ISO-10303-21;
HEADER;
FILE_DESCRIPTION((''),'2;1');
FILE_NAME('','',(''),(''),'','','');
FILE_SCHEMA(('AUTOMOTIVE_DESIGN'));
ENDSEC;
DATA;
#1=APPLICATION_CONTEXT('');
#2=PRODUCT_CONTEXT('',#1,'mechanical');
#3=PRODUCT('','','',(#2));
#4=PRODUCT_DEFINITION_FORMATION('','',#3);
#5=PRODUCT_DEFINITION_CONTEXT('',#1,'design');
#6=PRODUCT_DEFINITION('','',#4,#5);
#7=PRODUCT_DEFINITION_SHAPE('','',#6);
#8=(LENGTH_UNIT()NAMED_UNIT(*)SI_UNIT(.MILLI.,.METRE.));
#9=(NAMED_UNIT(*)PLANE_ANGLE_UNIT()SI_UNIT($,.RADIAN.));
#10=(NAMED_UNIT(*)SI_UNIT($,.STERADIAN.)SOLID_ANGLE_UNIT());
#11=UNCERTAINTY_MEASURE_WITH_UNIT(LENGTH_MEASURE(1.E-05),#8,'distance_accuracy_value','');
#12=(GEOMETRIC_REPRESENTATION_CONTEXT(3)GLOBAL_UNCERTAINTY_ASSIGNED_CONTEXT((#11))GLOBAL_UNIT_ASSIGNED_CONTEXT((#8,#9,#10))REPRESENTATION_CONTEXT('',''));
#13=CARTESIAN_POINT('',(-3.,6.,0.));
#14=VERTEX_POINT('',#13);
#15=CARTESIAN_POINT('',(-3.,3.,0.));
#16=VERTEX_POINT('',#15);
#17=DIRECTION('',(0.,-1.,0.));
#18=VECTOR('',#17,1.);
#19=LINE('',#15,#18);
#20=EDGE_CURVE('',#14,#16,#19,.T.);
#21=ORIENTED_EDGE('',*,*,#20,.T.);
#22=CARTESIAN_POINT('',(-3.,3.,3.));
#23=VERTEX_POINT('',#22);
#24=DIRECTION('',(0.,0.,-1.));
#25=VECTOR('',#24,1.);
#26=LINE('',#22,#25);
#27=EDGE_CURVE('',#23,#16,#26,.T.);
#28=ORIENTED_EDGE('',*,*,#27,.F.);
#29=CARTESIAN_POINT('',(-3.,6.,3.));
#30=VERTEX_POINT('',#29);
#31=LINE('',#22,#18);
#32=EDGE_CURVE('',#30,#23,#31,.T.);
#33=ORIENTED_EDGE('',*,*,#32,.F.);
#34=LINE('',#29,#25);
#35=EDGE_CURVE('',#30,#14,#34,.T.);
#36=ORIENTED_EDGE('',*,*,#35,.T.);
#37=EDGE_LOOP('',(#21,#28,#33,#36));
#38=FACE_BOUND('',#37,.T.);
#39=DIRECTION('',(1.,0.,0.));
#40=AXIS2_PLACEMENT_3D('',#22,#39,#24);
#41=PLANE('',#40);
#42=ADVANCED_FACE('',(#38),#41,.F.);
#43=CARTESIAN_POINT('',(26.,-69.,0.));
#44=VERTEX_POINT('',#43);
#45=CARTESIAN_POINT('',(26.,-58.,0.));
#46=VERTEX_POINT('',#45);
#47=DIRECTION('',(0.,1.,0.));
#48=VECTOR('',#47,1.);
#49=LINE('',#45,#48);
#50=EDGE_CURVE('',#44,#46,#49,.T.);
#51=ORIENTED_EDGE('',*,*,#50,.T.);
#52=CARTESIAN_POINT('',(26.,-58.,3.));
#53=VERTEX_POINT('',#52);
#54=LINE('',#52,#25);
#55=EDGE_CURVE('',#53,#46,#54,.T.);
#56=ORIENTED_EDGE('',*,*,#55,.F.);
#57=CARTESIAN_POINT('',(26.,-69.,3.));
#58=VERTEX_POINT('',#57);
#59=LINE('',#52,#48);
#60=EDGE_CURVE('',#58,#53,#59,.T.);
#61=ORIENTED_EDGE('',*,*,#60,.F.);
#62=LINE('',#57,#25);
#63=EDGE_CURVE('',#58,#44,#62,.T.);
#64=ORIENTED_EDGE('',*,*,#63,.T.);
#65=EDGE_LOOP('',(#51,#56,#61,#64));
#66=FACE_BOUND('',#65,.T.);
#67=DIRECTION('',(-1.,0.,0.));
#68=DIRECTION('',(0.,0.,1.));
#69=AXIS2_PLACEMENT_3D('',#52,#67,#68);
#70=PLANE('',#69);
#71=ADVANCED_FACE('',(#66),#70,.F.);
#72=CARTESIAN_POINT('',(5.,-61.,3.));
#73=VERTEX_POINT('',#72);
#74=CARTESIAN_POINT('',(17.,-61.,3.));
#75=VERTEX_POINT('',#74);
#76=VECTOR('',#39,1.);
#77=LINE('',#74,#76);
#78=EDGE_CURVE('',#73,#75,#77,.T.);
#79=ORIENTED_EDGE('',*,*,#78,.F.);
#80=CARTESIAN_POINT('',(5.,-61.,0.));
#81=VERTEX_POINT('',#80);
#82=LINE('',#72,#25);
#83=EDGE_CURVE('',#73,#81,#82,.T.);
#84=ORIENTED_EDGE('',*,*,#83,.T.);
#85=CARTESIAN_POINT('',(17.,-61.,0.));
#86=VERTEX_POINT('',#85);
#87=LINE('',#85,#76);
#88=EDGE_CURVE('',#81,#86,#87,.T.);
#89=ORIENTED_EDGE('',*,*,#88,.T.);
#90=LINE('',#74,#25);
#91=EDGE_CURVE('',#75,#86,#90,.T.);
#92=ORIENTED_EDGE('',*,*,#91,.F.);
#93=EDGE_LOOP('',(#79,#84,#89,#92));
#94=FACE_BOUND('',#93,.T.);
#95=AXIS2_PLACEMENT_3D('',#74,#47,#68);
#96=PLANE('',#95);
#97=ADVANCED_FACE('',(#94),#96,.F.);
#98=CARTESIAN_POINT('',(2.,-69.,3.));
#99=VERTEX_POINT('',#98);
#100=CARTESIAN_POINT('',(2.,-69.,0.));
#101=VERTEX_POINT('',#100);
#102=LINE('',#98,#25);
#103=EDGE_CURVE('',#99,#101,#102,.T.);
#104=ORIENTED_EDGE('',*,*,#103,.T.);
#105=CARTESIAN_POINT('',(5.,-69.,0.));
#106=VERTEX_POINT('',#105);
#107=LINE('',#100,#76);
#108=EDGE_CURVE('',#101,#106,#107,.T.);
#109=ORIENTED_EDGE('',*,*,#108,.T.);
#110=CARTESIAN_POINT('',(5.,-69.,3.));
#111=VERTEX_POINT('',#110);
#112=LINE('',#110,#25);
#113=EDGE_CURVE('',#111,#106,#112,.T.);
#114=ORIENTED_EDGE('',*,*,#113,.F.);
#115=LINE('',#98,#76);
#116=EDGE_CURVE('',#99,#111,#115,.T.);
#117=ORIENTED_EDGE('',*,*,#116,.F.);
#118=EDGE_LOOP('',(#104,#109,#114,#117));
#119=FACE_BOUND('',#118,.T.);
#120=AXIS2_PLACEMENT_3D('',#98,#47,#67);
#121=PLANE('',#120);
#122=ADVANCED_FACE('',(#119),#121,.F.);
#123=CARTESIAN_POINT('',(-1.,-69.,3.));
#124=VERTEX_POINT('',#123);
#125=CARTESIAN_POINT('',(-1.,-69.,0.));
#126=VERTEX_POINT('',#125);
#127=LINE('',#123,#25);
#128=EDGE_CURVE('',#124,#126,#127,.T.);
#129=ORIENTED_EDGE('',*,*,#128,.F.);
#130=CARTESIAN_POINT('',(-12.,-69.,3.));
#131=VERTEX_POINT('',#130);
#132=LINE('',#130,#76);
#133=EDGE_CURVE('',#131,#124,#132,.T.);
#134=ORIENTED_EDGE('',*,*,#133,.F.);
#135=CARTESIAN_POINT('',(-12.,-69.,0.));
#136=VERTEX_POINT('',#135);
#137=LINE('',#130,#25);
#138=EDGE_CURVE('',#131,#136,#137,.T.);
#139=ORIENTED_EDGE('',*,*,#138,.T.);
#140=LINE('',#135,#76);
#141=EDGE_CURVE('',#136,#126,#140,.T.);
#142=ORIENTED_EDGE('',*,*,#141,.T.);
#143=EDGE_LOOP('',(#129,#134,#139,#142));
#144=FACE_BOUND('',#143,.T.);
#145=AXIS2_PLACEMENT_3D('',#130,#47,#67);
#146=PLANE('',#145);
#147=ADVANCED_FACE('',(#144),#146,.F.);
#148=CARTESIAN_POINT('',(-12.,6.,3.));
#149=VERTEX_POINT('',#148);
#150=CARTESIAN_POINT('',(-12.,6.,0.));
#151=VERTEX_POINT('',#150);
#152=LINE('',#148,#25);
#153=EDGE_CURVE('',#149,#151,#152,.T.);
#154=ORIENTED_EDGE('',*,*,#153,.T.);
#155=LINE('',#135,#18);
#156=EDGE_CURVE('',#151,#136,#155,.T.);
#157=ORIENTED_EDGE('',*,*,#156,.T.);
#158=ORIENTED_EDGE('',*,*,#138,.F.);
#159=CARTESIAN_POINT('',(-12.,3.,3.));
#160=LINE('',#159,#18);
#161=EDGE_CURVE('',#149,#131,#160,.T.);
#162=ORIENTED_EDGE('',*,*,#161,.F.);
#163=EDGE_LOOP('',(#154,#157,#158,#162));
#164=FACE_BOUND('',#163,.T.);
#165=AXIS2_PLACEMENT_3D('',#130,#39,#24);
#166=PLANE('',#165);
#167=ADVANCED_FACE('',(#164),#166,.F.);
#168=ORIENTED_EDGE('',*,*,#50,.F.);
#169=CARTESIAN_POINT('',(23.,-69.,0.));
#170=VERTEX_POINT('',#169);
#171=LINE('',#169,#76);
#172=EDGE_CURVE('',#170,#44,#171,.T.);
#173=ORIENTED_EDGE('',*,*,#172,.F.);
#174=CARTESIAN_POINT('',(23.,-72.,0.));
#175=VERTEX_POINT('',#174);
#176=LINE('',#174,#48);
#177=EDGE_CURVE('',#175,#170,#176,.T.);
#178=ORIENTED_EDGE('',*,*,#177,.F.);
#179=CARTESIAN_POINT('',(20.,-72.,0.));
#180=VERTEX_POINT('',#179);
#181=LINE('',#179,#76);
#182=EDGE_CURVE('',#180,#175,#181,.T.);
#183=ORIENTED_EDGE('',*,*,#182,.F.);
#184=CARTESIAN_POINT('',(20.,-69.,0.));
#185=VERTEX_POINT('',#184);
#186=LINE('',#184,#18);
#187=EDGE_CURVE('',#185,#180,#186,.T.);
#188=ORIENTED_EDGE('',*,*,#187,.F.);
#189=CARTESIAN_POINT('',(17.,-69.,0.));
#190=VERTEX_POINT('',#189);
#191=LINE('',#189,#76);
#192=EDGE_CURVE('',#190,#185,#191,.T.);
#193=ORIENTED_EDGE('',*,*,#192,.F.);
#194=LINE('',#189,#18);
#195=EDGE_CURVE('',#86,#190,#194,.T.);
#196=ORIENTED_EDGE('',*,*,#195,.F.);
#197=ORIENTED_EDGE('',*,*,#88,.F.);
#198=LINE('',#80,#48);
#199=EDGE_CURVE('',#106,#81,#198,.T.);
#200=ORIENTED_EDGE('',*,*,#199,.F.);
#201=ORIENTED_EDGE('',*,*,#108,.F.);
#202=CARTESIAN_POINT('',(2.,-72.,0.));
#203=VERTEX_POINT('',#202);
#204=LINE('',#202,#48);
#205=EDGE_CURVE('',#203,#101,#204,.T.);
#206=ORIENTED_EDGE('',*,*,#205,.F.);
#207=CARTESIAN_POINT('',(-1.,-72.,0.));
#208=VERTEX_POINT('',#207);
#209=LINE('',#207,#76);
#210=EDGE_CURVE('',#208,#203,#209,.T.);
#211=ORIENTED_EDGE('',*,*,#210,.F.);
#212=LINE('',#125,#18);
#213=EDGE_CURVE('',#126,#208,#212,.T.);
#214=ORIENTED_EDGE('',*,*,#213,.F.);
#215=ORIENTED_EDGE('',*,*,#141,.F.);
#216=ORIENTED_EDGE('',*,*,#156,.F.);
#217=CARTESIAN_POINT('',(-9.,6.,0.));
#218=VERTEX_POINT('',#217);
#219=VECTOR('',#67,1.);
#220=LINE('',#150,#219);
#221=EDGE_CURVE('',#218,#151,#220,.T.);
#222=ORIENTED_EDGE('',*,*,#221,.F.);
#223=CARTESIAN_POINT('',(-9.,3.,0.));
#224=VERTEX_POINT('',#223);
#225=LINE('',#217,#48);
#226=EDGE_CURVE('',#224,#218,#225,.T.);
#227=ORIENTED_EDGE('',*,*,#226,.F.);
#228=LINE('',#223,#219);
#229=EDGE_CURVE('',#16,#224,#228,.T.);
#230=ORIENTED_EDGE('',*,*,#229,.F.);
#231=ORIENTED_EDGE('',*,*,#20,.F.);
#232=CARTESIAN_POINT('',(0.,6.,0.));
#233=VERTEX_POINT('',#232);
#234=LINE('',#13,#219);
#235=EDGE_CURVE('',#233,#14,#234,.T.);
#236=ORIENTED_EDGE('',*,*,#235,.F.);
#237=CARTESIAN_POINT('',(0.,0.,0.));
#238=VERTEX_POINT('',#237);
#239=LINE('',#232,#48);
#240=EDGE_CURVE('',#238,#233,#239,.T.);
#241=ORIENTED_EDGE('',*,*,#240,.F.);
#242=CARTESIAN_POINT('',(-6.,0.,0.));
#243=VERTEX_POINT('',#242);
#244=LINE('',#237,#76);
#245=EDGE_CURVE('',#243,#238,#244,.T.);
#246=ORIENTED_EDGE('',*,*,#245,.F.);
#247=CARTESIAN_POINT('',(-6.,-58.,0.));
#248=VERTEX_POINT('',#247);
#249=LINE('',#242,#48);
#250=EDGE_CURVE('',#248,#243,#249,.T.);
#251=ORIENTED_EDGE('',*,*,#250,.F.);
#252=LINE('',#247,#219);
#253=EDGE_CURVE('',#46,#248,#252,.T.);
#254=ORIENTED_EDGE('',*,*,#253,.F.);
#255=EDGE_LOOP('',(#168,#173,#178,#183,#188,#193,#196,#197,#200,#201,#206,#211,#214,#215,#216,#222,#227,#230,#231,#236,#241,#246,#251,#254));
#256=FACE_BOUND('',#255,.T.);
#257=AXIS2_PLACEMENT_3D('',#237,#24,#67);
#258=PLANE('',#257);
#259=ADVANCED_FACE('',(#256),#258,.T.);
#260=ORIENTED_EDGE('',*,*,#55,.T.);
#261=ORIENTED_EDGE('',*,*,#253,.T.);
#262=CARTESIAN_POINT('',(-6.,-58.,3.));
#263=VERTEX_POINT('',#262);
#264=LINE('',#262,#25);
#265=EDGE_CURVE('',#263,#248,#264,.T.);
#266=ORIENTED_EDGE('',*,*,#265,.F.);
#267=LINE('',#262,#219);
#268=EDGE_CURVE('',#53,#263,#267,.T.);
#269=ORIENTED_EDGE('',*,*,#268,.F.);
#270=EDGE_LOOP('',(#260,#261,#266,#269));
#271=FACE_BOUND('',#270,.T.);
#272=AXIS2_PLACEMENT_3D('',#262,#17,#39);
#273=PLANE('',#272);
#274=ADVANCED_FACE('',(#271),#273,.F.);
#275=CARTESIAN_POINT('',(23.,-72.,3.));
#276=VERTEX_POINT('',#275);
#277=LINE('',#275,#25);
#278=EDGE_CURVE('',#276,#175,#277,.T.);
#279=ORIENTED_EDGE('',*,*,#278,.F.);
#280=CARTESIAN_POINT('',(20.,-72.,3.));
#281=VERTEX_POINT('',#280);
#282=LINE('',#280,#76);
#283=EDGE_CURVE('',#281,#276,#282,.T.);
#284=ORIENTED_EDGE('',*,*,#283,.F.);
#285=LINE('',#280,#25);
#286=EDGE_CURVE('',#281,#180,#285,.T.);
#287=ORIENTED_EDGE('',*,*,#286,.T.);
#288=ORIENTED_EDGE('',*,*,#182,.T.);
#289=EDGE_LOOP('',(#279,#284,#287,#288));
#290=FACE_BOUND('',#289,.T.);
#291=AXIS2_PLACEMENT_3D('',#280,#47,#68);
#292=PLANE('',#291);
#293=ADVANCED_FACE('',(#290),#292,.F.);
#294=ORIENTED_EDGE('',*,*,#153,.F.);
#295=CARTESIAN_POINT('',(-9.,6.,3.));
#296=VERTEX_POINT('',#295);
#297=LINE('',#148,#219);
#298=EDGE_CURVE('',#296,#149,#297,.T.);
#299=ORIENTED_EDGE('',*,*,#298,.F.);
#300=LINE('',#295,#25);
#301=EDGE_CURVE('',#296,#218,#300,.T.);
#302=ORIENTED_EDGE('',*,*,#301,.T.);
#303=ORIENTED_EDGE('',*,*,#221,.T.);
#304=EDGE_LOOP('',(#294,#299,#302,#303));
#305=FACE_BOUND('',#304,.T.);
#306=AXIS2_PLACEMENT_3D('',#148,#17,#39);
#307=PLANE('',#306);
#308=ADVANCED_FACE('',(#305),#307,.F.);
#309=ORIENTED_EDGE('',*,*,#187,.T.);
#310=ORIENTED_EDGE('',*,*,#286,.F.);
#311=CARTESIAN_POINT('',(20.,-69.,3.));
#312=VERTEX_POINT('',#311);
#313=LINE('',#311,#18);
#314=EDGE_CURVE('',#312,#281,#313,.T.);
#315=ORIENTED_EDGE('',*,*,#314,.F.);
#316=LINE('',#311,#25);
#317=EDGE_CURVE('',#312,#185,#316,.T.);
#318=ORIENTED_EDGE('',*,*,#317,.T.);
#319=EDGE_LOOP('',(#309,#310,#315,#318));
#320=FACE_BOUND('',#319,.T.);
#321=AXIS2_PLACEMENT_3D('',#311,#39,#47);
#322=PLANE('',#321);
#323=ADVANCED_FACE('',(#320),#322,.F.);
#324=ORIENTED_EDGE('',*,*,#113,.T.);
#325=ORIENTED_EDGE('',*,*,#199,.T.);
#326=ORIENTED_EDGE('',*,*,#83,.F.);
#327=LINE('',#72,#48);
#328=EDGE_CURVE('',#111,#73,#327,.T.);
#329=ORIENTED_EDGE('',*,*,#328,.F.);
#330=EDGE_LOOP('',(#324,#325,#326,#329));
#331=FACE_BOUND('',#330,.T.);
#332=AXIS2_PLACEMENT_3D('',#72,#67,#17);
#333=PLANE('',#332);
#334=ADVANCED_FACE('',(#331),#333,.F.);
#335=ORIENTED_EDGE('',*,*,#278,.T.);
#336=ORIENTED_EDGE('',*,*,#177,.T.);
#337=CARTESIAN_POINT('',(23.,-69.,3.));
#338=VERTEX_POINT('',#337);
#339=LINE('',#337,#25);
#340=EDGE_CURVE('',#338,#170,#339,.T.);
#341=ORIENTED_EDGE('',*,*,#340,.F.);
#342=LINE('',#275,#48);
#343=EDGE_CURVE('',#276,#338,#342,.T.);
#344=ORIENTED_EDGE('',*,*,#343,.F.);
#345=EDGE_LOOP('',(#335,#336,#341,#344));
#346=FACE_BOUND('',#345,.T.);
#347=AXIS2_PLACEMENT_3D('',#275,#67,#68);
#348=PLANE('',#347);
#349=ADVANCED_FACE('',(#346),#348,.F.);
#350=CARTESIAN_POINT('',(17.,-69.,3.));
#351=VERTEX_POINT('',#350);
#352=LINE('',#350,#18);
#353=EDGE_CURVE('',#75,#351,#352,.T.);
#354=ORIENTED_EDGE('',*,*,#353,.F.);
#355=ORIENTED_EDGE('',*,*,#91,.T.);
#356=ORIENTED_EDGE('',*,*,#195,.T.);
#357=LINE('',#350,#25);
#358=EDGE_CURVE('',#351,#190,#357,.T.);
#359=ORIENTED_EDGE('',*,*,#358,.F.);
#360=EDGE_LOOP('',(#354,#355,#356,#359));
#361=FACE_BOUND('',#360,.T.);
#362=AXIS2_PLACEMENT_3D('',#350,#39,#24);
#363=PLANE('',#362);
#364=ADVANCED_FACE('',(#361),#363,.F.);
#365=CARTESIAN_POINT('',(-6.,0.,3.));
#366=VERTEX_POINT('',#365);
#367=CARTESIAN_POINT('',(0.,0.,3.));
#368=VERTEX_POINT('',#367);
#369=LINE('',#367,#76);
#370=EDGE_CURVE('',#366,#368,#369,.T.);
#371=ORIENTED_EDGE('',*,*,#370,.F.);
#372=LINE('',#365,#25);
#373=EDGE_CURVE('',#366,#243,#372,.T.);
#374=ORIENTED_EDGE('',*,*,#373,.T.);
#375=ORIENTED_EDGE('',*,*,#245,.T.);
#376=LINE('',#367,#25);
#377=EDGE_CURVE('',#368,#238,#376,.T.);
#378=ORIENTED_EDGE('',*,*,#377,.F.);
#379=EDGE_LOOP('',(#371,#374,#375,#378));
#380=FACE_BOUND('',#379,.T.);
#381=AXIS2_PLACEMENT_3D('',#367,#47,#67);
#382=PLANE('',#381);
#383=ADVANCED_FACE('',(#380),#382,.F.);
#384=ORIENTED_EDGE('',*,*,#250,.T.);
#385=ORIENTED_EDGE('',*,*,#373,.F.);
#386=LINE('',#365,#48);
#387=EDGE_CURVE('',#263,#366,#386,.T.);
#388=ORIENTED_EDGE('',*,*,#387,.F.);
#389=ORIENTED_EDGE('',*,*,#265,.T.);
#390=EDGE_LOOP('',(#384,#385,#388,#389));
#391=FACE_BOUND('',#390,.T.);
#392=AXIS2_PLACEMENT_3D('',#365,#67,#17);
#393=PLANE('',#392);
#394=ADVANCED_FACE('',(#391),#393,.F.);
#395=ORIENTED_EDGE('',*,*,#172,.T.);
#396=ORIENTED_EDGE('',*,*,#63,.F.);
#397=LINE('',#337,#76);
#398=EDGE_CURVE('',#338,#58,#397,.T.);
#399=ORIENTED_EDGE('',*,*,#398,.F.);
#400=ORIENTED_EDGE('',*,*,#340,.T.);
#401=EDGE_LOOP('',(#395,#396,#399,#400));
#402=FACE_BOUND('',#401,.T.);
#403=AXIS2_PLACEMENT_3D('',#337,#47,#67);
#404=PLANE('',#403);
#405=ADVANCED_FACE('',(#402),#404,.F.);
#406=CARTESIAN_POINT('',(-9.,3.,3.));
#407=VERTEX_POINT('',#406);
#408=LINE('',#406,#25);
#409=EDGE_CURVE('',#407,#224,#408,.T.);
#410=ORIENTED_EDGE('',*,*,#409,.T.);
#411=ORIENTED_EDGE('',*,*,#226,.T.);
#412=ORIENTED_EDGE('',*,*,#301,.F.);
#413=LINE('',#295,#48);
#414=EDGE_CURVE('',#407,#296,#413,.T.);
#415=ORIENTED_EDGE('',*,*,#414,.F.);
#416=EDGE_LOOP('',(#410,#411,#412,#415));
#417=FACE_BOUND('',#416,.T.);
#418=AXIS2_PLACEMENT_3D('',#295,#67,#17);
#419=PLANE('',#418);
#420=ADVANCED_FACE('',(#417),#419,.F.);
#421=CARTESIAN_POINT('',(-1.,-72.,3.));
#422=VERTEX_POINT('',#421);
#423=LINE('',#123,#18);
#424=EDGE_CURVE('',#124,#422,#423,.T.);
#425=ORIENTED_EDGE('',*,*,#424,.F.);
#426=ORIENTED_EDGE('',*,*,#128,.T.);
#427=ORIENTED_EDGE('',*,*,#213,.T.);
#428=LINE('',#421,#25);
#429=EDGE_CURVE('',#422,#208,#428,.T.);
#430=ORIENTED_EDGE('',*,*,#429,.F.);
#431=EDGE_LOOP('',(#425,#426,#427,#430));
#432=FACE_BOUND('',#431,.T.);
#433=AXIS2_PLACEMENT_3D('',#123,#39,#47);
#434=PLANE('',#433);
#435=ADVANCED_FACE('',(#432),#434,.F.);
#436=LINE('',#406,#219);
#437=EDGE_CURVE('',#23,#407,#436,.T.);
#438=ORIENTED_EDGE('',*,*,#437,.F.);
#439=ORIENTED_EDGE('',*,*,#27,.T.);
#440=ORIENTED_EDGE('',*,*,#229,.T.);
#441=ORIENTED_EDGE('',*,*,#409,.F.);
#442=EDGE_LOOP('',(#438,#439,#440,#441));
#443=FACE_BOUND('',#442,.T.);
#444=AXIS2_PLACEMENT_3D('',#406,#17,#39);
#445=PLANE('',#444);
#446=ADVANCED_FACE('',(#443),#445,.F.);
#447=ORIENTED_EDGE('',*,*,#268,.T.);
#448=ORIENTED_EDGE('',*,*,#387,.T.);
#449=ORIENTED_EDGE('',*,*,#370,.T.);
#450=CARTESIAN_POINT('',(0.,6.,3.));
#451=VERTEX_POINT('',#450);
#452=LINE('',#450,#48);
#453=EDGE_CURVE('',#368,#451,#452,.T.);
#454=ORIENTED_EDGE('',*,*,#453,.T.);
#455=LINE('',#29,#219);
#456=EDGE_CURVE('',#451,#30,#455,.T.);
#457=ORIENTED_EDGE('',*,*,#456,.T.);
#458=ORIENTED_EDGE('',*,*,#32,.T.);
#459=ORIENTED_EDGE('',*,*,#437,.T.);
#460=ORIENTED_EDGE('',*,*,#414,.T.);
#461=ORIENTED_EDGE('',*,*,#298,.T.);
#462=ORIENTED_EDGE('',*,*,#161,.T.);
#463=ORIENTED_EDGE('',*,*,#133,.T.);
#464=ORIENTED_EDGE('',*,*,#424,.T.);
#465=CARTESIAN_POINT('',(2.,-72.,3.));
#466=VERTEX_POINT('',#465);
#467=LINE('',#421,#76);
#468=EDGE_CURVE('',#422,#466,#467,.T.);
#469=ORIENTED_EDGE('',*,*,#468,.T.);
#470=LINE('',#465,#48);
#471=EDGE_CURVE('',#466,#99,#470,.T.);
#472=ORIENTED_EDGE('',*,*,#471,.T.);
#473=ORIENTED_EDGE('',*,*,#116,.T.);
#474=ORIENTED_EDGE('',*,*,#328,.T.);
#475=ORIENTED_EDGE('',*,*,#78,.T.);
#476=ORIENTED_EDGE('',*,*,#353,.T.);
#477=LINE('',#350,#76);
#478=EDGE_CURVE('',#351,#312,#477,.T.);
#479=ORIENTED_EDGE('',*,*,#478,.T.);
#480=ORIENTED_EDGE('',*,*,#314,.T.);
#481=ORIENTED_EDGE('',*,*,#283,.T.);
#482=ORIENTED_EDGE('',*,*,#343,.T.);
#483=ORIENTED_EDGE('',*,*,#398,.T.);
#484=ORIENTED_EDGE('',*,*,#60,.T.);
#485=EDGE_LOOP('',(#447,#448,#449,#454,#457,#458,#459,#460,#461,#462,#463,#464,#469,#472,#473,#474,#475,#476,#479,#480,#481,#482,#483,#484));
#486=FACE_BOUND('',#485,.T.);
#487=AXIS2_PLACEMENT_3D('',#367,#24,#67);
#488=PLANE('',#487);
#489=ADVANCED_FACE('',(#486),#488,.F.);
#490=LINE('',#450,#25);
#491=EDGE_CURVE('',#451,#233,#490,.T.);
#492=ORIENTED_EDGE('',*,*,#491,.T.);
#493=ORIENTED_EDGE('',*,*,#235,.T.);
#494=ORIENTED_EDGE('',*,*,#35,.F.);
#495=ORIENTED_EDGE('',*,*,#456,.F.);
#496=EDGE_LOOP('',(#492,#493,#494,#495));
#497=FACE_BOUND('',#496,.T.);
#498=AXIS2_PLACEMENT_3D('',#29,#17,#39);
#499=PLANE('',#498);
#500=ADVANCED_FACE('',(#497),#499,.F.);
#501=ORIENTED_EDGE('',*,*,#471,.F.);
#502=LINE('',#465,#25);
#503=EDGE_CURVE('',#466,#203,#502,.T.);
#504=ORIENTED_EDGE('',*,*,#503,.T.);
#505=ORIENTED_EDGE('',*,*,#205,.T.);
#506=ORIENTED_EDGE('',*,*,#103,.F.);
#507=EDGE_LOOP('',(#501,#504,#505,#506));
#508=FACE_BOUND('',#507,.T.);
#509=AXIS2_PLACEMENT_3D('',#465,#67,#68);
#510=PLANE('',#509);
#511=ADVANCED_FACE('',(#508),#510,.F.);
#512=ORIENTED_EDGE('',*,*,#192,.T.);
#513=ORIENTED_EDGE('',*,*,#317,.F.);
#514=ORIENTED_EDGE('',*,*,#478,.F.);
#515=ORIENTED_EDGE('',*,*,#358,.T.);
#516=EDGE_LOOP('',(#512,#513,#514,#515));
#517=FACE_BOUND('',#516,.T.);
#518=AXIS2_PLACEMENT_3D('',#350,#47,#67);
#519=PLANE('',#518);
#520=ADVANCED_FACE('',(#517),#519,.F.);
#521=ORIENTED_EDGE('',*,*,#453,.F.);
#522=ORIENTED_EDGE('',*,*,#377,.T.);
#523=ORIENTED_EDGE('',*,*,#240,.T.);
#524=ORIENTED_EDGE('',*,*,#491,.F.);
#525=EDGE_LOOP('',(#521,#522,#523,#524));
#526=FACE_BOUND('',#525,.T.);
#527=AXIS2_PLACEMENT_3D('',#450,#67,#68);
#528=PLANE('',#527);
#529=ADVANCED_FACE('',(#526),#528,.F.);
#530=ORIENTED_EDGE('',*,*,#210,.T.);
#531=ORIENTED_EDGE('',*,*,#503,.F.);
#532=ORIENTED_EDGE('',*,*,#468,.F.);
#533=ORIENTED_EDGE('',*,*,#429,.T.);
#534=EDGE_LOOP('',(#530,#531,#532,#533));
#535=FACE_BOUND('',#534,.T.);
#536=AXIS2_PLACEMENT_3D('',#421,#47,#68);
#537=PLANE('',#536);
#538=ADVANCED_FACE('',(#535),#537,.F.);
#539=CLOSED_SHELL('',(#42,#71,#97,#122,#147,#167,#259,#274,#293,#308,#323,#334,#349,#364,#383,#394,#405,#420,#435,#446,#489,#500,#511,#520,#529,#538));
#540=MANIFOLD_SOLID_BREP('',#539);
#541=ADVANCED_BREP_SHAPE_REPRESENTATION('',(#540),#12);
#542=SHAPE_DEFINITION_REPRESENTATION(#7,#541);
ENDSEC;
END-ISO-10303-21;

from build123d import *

# Parameters (mm, degrees)
SALIENTE_EXTRUIR1_DEPTH = 3


with BuildPart() as part:
    # Croquis1 → Saliente-Extruir1 (new body)
    with BuildSketch(Plane.XY):
        Polygon((17, -69), (17, -61), (5, -61), (5, -69), (2, -69), (2, -72), (-1, -72), (-1, -69), (-12, -69), (-12, 3), (-12, 6), (-9, 6), (-9, 3), (-3, 3), (-3, 6), (0, 6), (0, 0), (-6, 0), (-6, -58), (26, -58), (26, -69), (23, -69), (23, -72), (20, -72), (20, -69), align=None)
    extrude(amount=SALIENTE_EXTRUIR1_DEPTH)


solid = part.part
